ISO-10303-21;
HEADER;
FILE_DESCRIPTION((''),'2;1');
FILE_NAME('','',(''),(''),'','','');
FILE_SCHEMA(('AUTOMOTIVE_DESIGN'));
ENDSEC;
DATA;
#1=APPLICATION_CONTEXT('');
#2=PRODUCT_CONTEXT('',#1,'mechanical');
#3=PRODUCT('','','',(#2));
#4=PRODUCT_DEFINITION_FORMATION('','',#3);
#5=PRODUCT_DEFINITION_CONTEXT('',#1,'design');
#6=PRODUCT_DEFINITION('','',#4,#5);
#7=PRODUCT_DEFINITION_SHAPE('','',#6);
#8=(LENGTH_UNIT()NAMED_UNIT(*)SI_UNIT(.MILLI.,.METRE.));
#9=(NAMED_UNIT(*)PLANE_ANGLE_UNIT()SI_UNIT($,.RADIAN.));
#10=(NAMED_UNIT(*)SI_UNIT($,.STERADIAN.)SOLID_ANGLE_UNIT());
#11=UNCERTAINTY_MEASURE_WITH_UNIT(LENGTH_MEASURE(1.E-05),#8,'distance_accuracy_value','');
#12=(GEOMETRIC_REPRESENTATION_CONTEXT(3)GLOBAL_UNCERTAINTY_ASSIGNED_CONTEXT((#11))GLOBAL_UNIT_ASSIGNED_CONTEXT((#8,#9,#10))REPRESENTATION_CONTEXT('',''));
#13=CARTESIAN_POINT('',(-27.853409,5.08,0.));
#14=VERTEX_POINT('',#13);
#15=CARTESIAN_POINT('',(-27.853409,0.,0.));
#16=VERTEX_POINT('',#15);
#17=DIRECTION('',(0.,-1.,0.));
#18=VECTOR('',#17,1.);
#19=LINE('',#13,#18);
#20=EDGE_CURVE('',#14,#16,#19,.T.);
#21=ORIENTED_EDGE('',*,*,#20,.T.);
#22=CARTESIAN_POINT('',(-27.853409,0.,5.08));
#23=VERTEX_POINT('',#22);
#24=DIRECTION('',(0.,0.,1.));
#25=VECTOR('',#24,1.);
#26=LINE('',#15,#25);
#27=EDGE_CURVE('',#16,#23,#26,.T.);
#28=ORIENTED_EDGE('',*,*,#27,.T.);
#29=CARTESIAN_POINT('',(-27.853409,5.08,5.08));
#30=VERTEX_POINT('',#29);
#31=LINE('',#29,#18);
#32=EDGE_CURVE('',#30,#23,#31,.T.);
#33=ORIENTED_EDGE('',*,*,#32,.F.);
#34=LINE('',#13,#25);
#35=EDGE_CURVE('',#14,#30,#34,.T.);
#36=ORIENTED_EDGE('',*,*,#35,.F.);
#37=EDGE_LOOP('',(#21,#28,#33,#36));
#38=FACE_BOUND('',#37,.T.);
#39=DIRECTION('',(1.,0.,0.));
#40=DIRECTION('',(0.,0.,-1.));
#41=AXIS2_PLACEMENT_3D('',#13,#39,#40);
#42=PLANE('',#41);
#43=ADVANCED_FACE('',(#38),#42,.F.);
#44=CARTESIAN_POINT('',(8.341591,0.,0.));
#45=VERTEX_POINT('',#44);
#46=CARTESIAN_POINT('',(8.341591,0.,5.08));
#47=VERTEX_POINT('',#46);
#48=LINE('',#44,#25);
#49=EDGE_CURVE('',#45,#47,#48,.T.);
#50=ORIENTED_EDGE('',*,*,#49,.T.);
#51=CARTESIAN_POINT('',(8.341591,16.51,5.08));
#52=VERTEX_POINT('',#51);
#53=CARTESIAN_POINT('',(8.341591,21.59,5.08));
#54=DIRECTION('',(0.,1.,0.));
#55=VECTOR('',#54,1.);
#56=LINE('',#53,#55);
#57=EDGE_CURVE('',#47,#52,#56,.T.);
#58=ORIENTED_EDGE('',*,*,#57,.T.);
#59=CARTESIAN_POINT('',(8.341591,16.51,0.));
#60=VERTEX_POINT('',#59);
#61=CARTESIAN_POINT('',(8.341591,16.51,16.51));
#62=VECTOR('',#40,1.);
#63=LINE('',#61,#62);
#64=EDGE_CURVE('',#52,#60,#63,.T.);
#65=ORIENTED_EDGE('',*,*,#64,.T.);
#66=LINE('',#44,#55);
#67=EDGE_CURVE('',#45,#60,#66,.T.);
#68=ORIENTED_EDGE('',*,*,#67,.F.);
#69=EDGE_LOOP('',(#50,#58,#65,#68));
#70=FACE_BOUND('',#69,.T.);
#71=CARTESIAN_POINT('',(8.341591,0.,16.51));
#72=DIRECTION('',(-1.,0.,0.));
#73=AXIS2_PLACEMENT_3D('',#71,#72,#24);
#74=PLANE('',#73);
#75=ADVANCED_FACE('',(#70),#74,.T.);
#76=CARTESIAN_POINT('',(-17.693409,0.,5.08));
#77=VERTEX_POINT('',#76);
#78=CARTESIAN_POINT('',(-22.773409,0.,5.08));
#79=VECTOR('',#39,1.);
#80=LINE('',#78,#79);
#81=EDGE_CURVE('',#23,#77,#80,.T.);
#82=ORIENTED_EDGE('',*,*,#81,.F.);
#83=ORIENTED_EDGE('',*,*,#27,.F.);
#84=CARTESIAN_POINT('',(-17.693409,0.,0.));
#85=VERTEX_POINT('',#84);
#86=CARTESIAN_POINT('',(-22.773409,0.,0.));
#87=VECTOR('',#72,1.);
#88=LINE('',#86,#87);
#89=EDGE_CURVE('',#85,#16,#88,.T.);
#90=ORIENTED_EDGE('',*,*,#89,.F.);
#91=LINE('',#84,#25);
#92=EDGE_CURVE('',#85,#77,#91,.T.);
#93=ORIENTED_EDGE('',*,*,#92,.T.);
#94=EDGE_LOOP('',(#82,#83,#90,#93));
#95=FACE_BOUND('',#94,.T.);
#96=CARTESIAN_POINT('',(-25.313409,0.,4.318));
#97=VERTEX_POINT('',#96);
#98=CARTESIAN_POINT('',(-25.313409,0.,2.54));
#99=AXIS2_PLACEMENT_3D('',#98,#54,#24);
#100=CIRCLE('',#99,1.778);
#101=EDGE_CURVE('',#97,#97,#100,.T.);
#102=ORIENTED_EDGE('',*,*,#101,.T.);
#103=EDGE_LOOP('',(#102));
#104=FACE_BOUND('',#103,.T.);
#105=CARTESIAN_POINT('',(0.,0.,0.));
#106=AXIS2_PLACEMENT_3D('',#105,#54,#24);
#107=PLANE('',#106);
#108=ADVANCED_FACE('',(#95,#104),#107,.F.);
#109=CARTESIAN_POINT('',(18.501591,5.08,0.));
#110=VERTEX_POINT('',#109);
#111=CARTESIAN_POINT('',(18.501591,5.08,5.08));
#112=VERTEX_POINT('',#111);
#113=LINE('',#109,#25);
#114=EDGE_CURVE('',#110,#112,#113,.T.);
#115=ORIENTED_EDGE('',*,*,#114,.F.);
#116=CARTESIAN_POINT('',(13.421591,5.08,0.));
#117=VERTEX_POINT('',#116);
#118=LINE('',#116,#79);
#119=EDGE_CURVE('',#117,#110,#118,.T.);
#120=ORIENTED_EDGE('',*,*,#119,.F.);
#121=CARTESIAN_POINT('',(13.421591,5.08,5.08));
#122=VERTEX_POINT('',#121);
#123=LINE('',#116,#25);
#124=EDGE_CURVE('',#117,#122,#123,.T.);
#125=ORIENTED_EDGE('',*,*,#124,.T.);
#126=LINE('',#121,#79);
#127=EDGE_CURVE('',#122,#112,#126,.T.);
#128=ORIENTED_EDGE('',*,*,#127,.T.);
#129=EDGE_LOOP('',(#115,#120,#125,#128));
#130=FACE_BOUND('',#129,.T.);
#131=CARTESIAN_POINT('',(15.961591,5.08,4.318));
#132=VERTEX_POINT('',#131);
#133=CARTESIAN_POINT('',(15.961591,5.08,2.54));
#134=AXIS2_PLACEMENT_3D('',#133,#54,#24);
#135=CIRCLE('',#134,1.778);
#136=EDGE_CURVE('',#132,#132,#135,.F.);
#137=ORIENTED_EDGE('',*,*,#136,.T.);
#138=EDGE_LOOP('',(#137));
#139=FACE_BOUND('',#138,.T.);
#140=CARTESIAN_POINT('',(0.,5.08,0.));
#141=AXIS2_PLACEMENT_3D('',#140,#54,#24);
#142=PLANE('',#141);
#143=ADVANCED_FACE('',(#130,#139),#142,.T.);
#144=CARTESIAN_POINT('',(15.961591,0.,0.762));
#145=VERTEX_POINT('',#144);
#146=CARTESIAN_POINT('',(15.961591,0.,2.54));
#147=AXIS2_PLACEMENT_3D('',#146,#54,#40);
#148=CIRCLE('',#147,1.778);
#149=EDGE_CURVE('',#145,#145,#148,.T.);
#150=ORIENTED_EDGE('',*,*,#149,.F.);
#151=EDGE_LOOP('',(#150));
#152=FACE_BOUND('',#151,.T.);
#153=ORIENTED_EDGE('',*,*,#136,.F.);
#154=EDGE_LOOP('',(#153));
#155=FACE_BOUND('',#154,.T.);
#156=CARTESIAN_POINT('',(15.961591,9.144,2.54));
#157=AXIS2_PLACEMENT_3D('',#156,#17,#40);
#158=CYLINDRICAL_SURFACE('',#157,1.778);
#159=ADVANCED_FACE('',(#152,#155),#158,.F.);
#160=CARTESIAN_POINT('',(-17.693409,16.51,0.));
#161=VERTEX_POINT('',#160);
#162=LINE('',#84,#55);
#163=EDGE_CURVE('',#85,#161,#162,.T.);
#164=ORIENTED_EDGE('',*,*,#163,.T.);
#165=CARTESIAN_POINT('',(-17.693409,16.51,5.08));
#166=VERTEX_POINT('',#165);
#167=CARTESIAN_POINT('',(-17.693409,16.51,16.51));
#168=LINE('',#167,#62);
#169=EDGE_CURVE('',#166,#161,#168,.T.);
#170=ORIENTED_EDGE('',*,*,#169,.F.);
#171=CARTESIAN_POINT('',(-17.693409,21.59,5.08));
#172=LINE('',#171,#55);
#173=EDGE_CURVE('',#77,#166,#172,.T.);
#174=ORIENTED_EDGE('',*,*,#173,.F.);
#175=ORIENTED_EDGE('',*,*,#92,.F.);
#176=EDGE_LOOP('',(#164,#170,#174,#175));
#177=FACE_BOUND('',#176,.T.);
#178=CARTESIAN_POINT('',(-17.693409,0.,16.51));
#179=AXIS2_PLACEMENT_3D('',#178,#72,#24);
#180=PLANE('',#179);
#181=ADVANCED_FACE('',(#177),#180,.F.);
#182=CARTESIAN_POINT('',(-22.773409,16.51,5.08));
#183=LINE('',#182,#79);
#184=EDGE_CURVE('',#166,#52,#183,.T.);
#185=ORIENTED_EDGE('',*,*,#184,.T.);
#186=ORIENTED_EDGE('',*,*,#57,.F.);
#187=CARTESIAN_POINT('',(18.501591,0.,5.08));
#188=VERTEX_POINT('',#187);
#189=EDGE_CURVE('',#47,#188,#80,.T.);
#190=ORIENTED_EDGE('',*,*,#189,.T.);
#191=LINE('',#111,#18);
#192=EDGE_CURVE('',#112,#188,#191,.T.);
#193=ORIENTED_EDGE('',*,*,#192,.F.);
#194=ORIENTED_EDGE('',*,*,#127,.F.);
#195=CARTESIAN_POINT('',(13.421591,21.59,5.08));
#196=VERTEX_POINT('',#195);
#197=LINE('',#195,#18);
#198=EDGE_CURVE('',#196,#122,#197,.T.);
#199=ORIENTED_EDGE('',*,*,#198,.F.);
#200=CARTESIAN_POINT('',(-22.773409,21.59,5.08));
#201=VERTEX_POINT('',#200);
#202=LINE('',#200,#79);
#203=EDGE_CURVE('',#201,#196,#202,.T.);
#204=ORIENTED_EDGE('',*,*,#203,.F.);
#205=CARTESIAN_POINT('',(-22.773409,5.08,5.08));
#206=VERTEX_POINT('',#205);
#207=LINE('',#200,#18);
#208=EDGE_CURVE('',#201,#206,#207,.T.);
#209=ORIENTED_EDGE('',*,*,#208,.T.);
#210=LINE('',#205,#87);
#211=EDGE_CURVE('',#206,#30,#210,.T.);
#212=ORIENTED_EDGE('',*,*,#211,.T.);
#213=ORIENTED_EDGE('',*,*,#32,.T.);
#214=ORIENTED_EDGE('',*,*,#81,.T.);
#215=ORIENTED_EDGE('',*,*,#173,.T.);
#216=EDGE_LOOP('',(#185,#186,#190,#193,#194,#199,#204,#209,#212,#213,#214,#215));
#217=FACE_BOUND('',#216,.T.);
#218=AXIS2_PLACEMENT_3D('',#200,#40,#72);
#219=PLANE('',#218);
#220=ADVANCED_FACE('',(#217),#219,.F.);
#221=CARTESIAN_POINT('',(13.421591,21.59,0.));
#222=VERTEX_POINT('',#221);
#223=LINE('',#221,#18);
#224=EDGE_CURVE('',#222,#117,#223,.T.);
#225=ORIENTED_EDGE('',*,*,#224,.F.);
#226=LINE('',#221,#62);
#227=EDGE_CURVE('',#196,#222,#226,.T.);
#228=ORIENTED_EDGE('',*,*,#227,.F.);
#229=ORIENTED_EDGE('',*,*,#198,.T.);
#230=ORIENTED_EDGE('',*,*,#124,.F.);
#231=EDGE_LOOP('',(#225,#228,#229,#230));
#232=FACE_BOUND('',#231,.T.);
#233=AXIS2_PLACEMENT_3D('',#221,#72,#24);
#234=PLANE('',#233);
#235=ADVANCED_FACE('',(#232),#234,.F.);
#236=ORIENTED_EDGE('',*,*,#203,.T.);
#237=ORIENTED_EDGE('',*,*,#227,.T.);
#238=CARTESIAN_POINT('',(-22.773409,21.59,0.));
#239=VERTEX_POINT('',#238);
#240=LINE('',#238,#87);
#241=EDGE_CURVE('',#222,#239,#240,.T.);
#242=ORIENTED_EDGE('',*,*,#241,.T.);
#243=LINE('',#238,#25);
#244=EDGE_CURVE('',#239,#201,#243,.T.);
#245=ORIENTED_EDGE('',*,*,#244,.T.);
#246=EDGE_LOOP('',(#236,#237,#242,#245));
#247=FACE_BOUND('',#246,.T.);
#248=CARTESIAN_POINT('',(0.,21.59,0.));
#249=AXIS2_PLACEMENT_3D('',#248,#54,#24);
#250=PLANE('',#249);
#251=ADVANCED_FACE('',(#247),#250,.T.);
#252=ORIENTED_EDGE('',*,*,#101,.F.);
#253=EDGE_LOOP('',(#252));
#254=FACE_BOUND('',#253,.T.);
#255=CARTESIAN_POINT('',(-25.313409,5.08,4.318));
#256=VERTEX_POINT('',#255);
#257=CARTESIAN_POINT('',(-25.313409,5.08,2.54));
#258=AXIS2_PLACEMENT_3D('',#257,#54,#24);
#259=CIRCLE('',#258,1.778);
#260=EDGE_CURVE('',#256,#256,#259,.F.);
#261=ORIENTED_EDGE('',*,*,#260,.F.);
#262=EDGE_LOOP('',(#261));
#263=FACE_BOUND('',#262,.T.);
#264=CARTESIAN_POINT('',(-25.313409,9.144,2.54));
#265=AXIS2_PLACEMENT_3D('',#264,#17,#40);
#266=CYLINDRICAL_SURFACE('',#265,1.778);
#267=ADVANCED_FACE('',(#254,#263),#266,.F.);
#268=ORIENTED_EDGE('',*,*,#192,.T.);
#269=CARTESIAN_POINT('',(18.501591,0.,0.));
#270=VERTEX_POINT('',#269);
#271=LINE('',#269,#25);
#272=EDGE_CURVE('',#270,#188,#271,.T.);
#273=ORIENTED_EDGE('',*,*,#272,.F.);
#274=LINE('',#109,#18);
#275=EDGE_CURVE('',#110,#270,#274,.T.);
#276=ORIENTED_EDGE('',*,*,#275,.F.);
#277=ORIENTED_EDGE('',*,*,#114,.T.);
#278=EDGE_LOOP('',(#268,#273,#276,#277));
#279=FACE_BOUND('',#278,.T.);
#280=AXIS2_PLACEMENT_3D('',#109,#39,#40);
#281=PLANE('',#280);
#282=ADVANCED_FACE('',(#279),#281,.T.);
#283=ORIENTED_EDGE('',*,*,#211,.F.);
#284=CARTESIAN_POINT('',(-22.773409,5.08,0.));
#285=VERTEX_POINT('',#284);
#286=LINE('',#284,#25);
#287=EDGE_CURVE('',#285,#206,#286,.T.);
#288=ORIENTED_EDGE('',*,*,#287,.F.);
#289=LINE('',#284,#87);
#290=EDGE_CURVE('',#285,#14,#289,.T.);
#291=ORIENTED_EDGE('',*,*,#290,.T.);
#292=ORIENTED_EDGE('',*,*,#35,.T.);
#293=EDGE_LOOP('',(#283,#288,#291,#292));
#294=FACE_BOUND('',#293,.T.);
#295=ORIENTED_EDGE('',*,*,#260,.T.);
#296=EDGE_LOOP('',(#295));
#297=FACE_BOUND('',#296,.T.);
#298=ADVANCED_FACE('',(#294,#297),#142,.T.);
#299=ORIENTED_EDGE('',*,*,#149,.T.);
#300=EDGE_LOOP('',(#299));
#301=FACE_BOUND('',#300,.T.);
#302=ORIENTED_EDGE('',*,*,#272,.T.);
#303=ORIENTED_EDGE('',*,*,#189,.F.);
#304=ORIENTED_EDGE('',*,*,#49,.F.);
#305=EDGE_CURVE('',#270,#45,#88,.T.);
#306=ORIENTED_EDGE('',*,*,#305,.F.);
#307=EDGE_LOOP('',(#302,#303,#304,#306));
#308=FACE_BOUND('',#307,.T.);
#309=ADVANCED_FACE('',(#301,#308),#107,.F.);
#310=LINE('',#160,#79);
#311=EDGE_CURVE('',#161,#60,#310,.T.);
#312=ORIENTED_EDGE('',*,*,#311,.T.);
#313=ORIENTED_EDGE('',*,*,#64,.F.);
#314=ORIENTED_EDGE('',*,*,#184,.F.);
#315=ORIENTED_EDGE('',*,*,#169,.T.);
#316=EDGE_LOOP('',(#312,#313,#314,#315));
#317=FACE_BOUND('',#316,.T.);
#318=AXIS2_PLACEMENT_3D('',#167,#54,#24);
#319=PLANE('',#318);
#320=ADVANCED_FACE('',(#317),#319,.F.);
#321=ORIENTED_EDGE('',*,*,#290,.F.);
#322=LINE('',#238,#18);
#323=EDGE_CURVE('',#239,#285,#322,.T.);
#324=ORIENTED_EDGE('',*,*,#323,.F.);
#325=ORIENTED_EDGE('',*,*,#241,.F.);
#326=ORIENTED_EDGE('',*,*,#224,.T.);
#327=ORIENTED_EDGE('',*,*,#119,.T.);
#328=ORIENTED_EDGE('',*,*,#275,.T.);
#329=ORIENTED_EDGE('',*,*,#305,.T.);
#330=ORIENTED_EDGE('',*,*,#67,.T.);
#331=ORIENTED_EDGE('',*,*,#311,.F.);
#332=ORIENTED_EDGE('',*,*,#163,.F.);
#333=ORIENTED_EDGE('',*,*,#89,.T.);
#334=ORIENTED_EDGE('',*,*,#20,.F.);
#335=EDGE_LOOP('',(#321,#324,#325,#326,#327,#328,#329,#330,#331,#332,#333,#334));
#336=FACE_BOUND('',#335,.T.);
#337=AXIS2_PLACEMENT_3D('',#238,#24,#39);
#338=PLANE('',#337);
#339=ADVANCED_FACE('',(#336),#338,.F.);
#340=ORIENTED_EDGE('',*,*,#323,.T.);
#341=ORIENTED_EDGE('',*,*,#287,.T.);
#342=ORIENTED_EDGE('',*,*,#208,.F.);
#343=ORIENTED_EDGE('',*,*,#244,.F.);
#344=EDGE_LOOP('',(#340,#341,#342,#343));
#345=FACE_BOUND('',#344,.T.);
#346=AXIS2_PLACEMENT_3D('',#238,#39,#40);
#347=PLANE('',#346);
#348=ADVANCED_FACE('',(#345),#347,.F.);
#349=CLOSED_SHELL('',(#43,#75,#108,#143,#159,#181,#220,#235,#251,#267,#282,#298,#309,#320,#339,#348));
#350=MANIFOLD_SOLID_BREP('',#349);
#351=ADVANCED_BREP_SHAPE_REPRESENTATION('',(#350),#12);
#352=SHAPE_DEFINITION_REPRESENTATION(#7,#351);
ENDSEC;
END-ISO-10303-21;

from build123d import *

# Parameters (mm, degrees)
SKETCH1_W           = 36.195
SKETCH1_H           = 5.08
BOSS_EXTRUDE1_DEPTH = 21.59
SKETCH3_W           = 26.035
SKETCH3_H           = 16.51
CUT_EXTRUDE1_DEPTH  = 16.51
SKETCH5_W           = 5.08
SKETCH5_H           = 5.08
BOSS_EXTRUDE2_DEPTH = 5.08
SKETCH6_R           = 1.778
CUT_EXTRUDE2_DEPTH  = 9.144


with BuildPart() as part:
    # Sketch1 → Boss-Extrude1 (new body)
    with BuildSketch(Plane(origin=(0, 0, 0), x_dir=(1, 0, 0), z_dir=(0, 1, 0))):
        with Locations((-4.675909091, -2.54)):
            Rectangle(SKETCH1_W, SKETCH1_H)
    extrude(amount=BOSS_EXTRUDE1_DEPTH)

    # Sketch3 → Cut-Extrude1 (cut)
    with BuildSketch(Plane.XY):
        with Locations((-4.675909091, 8.255)):
            Rectangle(SKETCH3_W, SKETCH3_H)
    extrude(amount=CUT_EXTRUDE1_DEPTH, mode=Mode.SUBTRACT)

    # Sketch5 → Boss-Extrude2 (add)
    with BuildSketch(Plane(origin=(0, 0, 0), x_dir=(1, 0, 0), z_dir=(0, 1, 0))):
        with Locations((-25.313409091, -2.54)):
            Rectangle(SKETCH5_W, SKETCH5_H)
        with Locations((15.961590909, -2.54)):
            Rectangle(SKETCH5_W, SKETCH5_H)
    extrude(amount=BOSS_EXTRUDE2_DEPTH)

    # Sketch6 → Cut-Extrude2 (cut)
    with BuildSketch(Plane(origin=(0, 0, 0), x_dir=(1, 0, 0), z_dir=(0, 1, 0))):
        with Locations(Location((-25.313409091, -2.54, 0), (0, 0, 270))):
            Circle(SKETCH6_R)
        with Locations(Location((15.961590909, -2.54, 0), (0, 0, 90))):
            Circle(SKETCH6_R)
    extrude(amount=CUT_EXTRUDE2_DEPTH, mode=Mode.SUBTRACT)


solid = part.part
